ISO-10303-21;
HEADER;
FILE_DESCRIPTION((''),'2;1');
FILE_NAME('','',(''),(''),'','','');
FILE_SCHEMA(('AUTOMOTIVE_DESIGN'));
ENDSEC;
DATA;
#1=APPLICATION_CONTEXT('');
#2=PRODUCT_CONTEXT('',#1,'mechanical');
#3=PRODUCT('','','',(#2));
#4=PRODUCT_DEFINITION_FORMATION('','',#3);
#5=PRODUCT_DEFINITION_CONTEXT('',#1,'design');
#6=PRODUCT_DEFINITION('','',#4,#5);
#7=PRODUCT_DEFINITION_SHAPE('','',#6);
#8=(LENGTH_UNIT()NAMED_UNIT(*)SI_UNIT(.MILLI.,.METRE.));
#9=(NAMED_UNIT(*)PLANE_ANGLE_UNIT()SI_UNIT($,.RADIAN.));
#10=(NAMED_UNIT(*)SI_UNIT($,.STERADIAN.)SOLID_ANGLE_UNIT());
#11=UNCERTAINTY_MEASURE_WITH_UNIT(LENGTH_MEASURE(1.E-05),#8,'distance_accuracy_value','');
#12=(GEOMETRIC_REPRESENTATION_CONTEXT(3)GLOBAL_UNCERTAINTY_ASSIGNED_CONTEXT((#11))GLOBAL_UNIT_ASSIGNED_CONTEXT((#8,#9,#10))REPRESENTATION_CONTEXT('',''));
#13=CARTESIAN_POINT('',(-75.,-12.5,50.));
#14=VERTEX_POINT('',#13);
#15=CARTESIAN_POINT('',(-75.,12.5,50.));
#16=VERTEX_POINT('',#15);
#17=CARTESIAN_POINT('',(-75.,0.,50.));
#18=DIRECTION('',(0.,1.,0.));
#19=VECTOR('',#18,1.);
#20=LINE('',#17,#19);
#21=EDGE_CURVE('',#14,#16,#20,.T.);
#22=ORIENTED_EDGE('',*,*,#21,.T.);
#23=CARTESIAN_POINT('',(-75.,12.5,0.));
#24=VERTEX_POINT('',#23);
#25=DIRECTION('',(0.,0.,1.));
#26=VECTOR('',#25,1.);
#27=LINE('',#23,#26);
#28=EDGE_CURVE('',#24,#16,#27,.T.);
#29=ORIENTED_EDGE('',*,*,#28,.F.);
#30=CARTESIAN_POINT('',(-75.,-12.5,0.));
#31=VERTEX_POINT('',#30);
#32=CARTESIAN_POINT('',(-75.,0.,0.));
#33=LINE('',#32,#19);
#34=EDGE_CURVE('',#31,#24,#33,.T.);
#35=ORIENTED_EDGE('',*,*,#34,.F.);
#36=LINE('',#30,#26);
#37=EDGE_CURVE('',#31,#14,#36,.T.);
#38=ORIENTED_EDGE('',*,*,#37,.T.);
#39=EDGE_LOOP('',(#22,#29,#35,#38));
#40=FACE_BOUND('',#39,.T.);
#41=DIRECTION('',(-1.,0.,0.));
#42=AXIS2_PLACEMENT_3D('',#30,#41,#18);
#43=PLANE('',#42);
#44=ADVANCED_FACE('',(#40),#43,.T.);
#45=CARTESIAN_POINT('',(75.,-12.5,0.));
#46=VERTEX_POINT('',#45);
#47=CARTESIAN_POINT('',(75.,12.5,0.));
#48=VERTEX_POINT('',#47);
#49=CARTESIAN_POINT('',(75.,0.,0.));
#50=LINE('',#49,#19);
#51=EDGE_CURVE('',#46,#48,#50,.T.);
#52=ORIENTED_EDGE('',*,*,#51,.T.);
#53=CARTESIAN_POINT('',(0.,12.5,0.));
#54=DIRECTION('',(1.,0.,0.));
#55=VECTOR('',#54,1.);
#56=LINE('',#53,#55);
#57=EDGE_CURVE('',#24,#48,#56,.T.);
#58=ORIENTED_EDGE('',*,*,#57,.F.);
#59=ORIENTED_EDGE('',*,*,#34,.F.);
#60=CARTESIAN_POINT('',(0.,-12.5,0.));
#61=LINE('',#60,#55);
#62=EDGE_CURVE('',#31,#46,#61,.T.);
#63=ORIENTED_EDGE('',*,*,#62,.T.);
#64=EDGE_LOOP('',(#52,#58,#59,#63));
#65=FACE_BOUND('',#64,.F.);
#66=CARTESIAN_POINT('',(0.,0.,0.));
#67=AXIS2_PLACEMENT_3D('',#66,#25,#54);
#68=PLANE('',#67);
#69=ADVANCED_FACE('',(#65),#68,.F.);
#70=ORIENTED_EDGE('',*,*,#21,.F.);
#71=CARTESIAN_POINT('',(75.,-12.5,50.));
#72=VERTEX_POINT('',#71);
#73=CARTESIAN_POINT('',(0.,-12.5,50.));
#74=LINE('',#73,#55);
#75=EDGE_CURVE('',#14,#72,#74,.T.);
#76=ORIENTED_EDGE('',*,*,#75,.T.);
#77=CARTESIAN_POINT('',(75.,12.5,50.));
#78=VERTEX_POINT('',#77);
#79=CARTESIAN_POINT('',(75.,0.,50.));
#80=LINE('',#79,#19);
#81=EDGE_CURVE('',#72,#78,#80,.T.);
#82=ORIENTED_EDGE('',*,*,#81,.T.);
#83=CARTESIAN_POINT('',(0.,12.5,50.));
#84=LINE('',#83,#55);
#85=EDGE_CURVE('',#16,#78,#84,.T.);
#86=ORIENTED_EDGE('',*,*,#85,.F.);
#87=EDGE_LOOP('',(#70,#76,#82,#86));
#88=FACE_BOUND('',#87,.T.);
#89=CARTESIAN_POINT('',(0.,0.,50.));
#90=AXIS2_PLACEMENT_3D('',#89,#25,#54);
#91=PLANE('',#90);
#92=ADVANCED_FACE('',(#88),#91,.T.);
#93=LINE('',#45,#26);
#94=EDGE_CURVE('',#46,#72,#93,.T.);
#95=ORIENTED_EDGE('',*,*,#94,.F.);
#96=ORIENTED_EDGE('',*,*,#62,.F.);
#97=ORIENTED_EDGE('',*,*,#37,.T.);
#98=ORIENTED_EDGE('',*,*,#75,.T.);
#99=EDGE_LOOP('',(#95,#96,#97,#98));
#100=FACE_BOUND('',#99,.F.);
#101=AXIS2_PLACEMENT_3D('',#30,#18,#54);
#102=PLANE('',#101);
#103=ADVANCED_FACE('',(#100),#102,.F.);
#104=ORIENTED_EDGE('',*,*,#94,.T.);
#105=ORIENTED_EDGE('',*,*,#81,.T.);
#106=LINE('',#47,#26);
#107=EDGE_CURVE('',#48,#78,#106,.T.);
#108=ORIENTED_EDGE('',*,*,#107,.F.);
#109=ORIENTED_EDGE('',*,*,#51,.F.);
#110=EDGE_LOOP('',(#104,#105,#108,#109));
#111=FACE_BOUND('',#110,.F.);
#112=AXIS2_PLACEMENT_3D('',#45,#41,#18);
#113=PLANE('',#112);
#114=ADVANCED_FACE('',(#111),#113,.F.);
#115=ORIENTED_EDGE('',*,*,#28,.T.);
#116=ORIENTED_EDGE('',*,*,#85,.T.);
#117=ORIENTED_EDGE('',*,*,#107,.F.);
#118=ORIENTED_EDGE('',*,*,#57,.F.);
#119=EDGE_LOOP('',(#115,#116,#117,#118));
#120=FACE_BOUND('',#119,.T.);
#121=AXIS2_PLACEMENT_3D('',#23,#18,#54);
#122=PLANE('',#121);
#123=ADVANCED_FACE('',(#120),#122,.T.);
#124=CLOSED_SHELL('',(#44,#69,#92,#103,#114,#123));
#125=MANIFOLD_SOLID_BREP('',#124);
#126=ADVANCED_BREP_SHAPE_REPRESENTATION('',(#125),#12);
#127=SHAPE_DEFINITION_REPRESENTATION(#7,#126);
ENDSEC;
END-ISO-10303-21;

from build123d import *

# Parameters (mm, degrees)
SKETCH_W      = 150
SKETCH_H      = 25
EXTRUDE_DEPTH = 50


with BuildPart() as part:
    # Sketch → Extrude (new body)
    with BuildSketch(Plane.XY):
        Rectangle(SKETCH_W, SKETCH_H)
    extrude(amount=EXTRUDE_DEPTH)


solid = part.part
